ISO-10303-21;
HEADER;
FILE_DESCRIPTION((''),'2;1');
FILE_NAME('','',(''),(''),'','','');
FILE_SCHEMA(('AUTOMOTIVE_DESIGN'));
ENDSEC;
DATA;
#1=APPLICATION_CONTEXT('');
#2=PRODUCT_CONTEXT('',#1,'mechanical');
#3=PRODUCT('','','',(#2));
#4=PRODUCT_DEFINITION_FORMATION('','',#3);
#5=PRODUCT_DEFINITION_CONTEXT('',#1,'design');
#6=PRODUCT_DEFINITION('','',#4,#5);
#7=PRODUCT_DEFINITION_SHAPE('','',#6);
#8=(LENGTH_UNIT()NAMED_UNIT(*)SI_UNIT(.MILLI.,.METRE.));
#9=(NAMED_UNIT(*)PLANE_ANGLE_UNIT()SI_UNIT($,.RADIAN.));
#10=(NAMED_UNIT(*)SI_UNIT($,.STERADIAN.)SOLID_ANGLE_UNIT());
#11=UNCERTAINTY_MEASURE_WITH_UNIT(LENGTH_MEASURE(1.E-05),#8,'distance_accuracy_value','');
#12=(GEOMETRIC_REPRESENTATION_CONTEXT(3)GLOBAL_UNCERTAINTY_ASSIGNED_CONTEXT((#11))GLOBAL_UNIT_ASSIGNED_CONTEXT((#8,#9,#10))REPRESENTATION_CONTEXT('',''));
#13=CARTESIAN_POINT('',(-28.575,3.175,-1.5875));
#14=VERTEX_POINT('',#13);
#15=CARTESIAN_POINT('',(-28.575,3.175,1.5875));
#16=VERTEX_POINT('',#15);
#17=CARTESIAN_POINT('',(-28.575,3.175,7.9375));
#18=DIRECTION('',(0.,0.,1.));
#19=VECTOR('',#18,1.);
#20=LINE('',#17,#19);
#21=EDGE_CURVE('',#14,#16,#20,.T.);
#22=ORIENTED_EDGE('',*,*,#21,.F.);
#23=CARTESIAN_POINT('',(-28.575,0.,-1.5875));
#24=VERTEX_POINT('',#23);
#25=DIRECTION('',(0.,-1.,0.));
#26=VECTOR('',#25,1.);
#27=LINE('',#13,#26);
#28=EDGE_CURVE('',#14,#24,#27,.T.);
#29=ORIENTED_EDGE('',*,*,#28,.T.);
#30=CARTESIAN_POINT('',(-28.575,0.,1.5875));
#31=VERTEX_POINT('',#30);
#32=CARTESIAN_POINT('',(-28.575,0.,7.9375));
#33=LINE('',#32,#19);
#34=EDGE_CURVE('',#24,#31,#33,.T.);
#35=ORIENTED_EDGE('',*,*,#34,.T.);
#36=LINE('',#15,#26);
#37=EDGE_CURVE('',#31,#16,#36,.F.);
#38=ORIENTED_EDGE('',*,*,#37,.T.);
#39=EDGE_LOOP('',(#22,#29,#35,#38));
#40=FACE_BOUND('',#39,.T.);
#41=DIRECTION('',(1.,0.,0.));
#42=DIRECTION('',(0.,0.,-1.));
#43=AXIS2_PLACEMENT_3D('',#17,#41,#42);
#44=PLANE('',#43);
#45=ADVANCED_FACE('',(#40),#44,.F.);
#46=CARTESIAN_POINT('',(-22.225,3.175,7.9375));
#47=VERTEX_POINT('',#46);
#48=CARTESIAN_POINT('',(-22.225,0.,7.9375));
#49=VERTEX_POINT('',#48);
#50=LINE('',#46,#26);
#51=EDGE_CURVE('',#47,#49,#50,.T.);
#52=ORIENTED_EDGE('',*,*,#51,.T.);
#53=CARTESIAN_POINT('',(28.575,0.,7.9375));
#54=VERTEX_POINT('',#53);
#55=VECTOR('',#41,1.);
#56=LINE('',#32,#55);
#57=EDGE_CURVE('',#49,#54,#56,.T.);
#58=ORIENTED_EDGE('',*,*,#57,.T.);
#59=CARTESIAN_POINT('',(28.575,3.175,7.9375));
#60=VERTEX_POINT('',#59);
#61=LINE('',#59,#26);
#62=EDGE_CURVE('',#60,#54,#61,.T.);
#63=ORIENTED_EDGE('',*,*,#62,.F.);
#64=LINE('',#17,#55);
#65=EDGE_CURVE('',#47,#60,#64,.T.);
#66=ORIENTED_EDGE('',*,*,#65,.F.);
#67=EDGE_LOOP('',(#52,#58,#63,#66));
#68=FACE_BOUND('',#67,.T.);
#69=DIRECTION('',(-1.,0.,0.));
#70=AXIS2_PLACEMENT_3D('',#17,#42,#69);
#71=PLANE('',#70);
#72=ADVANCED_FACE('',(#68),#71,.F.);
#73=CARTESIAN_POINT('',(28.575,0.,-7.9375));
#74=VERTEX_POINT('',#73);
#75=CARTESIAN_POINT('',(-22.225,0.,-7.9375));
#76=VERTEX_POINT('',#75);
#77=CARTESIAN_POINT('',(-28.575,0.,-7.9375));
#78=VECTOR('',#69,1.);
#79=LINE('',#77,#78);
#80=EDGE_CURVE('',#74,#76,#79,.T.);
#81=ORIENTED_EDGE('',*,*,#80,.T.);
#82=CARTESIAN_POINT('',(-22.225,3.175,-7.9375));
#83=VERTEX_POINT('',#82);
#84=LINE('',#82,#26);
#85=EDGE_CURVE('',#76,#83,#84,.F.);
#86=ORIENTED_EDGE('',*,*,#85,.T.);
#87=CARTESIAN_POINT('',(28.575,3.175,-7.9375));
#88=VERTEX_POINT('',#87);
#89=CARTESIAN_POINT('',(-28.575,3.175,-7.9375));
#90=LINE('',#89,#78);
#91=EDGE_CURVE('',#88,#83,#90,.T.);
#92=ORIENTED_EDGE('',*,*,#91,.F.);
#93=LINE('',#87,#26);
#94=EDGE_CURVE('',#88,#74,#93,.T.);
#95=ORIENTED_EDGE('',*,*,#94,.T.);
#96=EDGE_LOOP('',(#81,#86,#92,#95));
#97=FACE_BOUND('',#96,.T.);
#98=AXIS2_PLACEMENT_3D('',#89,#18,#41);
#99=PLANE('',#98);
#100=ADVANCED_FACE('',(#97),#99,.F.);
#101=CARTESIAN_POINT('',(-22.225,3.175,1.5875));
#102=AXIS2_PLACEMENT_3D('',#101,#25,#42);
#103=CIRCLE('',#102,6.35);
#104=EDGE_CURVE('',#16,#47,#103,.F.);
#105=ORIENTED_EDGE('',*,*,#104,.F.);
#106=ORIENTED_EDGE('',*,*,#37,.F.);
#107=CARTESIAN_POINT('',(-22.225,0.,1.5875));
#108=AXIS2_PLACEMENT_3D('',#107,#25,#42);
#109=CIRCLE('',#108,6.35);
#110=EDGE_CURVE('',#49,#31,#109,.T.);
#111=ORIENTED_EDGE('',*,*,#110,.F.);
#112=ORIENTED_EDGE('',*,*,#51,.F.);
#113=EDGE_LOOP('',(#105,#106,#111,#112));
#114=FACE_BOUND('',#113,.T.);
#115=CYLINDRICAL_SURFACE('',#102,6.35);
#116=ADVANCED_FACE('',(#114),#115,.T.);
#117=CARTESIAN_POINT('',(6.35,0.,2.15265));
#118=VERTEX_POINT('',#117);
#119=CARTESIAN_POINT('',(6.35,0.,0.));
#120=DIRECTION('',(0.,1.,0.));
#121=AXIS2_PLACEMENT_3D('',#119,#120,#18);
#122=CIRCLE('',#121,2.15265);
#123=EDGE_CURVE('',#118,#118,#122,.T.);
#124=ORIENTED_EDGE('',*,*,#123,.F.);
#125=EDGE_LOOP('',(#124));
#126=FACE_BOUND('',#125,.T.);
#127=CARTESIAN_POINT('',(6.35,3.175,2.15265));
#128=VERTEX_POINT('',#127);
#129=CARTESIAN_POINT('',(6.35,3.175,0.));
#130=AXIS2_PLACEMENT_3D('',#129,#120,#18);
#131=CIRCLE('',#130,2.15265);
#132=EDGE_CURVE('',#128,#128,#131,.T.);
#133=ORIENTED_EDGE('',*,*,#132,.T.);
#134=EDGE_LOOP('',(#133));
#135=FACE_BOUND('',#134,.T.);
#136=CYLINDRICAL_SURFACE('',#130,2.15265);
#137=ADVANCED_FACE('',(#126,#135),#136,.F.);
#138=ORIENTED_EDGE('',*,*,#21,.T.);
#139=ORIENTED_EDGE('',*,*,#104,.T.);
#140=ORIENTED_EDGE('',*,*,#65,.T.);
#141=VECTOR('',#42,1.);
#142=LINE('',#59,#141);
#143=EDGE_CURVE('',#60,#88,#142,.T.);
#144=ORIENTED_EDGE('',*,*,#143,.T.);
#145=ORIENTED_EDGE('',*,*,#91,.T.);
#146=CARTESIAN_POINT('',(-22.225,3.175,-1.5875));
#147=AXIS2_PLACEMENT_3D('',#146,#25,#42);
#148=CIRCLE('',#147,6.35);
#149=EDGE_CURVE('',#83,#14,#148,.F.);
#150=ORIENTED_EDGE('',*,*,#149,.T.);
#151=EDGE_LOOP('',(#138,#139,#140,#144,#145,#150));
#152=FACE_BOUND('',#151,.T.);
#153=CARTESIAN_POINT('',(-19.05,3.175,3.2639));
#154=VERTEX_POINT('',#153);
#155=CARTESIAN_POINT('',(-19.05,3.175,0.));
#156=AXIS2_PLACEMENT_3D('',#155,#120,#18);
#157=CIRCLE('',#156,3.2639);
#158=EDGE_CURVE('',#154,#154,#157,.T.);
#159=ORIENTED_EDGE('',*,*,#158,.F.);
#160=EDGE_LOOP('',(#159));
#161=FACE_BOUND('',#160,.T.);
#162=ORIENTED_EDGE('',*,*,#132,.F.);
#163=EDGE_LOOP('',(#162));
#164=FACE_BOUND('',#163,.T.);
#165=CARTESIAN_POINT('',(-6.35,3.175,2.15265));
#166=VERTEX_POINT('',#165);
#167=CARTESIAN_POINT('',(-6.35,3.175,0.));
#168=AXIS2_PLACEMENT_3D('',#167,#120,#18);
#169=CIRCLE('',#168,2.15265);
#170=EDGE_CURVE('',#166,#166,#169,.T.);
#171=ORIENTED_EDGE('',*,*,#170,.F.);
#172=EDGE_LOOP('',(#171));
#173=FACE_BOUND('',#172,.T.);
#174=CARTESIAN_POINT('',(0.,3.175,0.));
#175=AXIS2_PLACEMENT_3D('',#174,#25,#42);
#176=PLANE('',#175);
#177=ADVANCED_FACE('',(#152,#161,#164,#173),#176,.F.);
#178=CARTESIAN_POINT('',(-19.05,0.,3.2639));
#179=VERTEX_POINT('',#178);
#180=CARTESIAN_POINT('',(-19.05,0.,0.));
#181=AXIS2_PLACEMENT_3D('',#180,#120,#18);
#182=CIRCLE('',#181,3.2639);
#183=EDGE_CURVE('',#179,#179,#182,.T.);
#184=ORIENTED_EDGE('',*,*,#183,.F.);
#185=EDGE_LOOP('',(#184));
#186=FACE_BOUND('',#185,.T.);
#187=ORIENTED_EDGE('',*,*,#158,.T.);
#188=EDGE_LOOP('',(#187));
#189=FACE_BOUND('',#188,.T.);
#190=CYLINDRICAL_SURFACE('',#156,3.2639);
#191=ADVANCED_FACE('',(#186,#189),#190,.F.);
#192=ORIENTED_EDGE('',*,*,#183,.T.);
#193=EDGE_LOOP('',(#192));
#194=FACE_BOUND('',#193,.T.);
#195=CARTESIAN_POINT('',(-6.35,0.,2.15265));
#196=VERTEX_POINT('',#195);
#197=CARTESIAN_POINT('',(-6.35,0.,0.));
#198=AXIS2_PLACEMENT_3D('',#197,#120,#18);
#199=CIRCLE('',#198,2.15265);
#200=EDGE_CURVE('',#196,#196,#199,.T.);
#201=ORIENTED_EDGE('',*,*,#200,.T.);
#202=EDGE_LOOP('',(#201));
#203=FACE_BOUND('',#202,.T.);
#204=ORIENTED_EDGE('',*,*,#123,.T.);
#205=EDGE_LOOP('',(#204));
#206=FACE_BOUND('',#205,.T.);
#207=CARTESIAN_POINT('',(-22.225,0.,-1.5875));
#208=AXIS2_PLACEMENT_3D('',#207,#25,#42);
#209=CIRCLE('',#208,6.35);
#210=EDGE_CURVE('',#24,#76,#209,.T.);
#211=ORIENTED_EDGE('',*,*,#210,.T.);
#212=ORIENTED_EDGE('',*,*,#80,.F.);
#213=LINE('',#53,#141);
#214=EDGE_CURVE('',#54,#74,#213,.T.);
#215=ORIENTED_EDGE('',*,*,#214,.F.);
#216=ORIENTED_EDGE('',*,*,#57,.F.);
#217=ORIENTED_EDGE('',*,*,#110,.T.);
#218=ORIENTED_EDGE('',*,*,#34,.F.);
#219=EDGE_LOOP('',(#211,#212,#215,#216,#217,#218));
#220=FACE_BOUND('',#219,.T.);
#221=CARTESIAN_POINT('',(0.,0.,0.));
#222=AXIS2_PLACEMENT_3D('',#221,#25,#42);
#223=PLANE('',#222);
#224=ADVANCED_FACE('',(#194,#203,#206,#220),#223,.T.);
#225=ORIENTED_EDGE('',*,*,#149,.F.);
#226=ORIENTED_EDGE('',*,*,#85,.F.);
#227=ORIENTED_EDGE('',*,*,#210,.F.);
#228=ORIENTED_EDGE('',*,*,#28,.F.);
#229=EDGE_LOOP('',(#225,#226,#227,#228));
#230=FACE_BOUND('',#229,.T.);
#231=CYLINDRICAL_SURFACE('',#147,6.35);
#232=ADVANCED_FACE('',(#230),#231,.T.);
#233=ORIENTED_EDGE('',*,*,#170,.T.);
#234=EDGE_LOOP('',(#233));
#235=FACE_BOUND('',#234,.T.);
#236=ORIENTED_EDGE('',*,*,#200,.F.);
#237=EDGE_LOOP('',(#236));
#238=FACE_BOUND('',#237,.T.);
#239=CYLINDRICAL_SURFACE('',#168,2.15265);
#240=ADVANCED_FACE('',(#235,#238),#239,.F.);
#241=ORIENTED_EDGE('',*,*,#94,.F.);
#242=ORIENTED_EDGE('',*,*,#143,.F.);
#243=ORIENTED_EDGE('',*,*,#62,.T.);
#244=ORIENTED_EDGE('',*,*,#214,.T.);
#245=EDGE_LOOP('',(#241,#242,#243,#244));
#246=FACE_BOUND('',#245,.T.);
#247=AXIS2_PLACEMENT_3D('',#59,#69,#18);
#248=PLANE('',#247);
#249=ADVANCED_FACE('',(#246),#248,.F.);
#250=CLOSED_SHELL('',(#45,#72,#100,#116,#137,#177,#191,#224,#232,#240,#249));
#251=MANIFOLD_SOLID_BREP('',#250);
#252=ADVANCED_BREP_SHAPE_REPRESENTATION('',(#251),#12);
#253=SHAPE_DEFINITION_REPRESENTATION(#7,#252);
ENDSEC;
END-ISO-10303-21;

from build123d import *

# Parameters (mm, degrees)
SKETCH1_W                    = 57.15
SKETCH1_H                    = 15.875
BOSS_EXTRUDE1_DEPTH          = 3.175
F_0_257_DIAMETER_HOLE1_D     = 6.5278
FILLET1_R                    = 6.35
F_18_0_1695_DIAMETER_HOLE1_D = 4.3053


with BuildPart() as part:
    # Sketch1 → Boss-Extrude1 (new body)
    with BuildSketch(Plane(origin=(0, 0, 0), x_dir=(1, 0, 0), z_dir=(0, 1, 0))):
        Rectangle(SKETCH1_W, SKETCH1_H)
    extrude(amount=BOSS_EXTRUDE1_DEPTH)

    # F (0.257) Diameter Hole1 (through all)
    with Locations(Plane(origin=(0, 3.175, 0), x_dir=(1, 0, 0), z_dir=(0, 1, 0))):
        with Locations((-19.05, 0)):
            Hole(F_0_257_DIAMETER_HOLE1_D / 2)

    # Fillet1
    fillet1_edges = [part.edges().sort_by_distance(p)[0] for p in [
        (-28.575, 1.5875, 7.9375),
        (-28.575, 1.5875, -7.9375),
    ]]
    fillet(fillet1_edges, radius=FILLET1_R)

    # #18 (0.1695) Diameter Hole1 (through all)
    with Locations(Plane(origin=(0, 3.175, 0), x_dir=(1, 0, 0), z_dir=(0, 1, 0))):
        with Locations((-6.35, 0), (6.35, 0)):
            Hole(F_18_0_1695_DIAMETER_HOLE1_D / 2)


solid = part.part
